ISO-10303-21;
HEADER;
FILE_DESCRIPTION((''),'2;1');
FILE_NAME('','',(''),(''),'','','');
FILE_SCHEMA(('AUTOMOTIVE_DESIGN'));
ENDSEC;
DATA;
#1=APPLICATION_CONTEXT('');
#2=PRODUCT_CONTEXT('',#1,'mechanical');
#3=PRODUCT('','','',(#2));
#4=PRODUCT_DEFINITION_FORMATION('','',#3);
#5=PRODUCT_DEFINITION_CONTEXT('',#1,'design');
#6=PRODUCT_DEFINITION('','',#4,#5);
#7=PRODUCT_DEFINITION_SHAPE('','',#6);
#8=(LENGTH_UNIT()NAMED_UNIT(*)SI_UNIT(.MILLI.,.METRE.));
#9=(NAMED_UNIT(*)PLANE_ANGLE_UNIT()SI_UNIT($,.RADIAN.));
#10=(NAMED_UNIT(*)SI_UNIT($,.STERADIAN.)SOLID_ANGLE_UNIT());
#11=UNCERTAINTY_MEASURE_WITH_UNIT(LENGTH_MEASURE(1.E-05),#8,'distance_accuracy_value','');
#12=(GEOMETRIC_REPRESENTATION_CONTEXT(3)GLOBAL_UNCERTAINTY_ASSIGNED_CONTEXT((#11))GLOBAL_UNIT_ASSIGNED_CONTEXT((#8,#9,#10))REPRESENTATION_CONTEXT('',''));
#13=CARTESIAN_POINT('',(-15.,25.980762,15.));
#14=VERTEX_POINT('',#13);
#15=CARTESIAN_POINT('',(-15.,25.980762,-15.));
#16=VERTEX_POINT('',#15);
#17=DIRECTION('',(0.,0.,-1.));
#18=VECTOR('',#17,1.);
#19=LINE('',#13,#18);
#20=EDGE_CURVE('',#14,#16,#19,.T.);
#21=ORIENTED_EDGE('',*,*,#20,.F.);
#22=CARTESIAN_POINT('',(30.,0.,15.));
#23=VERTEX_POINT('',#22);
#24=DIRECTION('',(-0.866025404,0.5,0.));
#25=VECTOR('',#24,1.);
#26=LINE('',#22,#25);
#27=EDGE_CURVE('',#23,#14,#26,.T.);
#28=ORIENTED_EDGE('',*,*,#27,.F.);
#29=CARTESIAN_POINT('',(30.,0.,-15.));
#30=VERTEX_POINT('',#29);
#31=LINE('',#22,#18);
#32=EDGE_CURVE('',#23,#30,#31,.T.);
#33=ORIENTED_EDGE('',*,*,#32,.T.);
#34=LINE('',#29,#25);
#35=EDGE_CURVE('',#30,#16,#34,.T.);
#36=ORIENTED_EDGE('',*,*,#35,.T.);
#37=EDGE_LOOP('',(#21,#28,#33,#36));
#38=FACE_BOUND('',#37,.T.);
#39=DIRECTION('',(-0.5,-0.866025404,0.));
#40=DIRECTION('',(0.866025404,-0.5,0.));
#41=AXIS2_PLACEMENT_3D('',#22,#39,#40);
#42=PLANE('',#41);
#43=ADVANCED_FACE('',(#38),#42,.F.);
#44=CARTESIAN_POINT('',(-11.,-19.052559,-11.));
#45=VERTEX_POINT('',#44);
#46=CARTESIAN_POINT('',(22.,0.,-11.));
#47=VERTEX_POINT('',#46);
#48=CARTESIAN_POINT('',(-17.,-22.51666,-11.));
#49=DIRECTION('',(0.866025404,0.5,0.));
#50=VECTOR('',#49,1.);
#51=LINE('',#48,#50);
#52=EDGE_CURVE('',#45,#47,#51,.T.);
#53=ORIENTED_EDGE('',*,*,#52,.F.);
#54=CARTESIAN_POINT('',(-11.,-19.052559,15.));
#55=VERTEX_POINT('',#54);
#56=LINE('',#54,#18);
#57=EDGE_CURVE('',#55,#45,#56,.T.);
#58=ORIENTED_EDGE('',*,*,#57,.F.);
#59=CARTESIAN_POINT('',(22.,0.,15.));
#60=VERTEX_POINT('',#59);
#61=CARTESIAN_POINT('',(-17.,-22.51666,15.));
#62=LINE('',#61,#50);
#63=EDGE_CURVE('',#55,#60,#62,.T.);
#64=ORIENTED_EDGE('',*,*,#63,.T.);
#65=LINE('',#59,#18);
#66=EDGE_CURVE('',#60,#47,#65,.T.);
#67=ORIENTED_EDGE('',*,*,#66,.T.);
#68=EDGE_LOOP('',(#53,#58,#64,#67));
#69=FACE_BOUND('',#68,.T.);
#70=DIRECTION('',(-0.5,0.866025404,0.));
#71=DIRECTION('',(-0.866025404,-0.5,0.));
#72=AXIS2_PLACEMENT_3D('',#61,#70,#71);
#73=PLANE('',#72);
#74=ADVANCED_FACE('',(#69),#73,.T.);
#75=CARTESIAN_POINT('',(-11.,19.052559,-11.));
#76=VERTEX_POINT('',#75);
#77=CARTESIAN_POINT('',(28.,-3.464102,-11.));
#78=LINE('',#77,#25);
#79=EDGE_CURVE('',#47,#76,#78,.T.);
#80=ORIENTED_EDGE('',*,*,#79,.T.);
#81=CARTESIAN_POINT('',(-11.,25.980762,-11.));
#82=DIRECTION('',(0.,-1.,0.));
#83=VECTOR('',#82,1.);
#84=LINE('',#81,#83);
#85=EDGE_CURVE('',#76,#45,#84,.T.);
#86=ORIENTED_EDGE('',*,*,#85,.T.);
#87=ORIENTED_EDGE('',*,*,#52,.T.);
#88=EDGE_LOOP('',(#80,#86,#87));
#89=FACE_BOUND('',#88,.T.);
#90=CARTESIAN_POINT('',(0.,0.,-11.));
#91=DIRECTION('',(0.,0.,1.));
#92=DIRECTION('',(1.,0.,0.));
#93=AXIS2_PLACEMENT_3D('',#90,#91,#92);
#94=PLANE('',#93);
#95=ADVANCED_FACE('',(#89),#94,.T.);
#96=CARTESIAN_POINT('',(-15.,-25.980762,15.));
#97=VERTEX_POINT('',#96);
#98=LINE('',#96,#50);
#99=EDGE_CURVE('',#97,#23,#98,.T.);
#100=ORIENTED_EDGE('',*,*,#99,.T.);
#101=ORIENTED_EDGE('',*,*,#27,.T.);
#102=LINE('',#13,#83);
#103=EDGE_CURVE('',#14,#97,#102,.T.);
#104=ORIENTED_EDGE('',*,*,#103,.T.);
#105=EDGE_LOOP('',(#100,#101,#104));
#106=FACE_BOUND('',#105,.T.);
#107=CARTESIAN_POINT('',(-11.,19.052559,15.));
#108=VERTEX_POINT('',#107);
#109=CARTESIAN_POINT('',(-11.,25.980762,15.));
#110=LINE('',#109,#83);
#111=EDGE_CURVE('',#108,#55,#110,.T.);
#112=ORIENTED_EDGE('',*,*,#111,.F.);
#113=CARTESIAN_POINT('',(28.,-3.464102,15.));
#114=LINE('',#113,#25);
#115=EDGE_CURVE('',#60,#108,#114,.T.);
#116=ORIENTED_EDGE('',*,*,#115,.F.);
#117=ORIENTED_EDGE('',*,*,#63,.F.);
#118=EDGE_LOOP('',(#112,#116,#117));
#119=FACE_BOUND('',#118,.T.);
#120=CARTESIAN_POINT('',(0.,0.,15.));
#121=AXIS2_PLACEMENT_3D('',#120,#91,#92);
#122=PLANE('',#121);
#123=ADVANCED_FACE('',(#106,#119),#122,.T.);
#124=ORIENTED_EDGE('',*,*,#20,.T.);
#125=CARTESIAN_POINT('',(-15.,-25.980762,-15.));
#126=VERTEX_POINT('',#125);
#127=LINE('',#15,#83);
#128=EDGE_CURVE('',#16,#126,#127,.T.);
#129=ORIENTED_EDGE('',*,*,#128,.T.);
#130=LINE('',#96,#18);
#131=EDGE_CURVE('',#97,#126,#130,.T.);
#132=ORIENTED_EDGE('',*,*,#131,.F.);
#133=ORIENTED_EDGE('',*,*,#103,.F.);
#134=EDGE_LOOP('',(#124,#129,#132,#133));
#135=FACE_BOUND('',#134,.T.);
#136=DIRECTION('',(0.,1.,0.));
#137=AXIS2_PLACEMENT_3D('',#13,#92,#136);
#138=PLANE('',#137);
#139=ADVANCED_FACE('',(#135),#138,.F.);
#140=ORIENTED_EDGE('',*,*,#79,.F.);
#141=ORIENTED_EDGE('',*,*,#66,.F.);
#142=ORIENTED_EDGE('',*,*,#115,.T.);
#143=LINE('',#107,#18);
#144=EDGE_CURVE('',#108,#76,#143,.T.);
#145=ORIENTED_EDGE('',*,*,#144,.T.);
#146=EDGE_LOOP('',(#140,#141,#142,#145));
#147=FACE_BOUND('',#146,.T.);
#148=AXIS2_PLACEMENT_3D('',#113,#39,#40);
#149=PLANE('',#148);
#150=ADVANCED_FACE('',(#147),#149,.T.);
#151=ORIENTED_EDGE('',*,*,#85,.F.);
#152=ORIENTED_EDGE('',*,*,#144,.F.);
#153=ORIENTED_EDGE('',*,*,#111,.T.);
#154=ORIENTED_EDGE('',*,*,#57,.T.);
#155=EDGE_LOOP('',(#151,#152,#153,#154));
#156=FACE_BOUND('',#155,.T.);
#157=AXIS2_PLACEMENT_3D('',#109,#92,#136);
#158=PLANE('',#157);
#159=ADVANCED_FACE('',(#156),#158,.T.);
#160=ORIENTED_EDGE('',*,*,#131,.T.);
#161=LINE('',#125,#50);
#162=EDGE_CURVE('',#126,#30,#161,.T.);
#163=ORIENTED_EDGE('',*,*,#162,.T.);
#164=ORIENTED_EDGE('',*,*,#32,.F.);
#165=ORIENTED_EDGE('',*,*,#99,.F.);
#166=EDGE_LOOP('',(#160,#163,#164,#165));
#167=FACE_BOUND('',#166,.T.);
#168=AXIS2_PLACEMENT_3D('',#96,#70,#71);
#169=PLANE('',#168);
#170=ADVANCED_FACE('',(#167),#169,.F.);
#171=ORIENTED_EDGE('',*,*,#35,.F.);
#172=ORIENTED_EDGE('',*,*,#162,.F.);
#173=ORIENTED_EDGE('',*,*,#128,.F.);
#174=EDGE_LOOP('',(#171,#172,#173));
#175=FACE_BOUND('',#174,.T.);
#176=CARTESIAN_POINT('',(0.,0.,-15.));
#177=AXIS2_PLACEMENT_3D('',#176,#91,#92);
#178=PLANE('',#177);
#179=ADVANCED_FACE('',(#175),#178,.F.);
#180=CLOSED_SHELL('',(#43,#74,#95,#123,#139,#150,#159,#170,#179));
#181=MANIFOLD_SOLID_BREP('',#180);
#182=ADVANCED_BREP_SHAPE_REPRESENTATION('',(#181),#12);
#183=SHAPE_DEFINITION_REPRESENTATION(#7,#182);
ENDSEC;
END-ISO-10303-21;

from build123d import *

# Parameters (mm, degrees)
EXTRUDE_1_DEPTH = 15
SHELL_1_T       = -4


with BuildPart() as part:
    # 草图1 → 凸台-拉伸1 (new, symmetric)
    with BuildSketch(Plane.XY):
        Polygon((30, 0), (-15, 25.980762114), (-15, -25.980762114), align=None)
    extrude(amount=EXTRUDE_1_DEPTH, both=True)

    # 抽壳1
    shell_1_openings = [part.faces().sort_by_distance(p)[0] for p in [
        (0, 0, 15),
    ]]
    offset(amount=SHELL_1_T, openings=shell_1_openings, kind=Kind.INTERSECTION)


solid = part.part
